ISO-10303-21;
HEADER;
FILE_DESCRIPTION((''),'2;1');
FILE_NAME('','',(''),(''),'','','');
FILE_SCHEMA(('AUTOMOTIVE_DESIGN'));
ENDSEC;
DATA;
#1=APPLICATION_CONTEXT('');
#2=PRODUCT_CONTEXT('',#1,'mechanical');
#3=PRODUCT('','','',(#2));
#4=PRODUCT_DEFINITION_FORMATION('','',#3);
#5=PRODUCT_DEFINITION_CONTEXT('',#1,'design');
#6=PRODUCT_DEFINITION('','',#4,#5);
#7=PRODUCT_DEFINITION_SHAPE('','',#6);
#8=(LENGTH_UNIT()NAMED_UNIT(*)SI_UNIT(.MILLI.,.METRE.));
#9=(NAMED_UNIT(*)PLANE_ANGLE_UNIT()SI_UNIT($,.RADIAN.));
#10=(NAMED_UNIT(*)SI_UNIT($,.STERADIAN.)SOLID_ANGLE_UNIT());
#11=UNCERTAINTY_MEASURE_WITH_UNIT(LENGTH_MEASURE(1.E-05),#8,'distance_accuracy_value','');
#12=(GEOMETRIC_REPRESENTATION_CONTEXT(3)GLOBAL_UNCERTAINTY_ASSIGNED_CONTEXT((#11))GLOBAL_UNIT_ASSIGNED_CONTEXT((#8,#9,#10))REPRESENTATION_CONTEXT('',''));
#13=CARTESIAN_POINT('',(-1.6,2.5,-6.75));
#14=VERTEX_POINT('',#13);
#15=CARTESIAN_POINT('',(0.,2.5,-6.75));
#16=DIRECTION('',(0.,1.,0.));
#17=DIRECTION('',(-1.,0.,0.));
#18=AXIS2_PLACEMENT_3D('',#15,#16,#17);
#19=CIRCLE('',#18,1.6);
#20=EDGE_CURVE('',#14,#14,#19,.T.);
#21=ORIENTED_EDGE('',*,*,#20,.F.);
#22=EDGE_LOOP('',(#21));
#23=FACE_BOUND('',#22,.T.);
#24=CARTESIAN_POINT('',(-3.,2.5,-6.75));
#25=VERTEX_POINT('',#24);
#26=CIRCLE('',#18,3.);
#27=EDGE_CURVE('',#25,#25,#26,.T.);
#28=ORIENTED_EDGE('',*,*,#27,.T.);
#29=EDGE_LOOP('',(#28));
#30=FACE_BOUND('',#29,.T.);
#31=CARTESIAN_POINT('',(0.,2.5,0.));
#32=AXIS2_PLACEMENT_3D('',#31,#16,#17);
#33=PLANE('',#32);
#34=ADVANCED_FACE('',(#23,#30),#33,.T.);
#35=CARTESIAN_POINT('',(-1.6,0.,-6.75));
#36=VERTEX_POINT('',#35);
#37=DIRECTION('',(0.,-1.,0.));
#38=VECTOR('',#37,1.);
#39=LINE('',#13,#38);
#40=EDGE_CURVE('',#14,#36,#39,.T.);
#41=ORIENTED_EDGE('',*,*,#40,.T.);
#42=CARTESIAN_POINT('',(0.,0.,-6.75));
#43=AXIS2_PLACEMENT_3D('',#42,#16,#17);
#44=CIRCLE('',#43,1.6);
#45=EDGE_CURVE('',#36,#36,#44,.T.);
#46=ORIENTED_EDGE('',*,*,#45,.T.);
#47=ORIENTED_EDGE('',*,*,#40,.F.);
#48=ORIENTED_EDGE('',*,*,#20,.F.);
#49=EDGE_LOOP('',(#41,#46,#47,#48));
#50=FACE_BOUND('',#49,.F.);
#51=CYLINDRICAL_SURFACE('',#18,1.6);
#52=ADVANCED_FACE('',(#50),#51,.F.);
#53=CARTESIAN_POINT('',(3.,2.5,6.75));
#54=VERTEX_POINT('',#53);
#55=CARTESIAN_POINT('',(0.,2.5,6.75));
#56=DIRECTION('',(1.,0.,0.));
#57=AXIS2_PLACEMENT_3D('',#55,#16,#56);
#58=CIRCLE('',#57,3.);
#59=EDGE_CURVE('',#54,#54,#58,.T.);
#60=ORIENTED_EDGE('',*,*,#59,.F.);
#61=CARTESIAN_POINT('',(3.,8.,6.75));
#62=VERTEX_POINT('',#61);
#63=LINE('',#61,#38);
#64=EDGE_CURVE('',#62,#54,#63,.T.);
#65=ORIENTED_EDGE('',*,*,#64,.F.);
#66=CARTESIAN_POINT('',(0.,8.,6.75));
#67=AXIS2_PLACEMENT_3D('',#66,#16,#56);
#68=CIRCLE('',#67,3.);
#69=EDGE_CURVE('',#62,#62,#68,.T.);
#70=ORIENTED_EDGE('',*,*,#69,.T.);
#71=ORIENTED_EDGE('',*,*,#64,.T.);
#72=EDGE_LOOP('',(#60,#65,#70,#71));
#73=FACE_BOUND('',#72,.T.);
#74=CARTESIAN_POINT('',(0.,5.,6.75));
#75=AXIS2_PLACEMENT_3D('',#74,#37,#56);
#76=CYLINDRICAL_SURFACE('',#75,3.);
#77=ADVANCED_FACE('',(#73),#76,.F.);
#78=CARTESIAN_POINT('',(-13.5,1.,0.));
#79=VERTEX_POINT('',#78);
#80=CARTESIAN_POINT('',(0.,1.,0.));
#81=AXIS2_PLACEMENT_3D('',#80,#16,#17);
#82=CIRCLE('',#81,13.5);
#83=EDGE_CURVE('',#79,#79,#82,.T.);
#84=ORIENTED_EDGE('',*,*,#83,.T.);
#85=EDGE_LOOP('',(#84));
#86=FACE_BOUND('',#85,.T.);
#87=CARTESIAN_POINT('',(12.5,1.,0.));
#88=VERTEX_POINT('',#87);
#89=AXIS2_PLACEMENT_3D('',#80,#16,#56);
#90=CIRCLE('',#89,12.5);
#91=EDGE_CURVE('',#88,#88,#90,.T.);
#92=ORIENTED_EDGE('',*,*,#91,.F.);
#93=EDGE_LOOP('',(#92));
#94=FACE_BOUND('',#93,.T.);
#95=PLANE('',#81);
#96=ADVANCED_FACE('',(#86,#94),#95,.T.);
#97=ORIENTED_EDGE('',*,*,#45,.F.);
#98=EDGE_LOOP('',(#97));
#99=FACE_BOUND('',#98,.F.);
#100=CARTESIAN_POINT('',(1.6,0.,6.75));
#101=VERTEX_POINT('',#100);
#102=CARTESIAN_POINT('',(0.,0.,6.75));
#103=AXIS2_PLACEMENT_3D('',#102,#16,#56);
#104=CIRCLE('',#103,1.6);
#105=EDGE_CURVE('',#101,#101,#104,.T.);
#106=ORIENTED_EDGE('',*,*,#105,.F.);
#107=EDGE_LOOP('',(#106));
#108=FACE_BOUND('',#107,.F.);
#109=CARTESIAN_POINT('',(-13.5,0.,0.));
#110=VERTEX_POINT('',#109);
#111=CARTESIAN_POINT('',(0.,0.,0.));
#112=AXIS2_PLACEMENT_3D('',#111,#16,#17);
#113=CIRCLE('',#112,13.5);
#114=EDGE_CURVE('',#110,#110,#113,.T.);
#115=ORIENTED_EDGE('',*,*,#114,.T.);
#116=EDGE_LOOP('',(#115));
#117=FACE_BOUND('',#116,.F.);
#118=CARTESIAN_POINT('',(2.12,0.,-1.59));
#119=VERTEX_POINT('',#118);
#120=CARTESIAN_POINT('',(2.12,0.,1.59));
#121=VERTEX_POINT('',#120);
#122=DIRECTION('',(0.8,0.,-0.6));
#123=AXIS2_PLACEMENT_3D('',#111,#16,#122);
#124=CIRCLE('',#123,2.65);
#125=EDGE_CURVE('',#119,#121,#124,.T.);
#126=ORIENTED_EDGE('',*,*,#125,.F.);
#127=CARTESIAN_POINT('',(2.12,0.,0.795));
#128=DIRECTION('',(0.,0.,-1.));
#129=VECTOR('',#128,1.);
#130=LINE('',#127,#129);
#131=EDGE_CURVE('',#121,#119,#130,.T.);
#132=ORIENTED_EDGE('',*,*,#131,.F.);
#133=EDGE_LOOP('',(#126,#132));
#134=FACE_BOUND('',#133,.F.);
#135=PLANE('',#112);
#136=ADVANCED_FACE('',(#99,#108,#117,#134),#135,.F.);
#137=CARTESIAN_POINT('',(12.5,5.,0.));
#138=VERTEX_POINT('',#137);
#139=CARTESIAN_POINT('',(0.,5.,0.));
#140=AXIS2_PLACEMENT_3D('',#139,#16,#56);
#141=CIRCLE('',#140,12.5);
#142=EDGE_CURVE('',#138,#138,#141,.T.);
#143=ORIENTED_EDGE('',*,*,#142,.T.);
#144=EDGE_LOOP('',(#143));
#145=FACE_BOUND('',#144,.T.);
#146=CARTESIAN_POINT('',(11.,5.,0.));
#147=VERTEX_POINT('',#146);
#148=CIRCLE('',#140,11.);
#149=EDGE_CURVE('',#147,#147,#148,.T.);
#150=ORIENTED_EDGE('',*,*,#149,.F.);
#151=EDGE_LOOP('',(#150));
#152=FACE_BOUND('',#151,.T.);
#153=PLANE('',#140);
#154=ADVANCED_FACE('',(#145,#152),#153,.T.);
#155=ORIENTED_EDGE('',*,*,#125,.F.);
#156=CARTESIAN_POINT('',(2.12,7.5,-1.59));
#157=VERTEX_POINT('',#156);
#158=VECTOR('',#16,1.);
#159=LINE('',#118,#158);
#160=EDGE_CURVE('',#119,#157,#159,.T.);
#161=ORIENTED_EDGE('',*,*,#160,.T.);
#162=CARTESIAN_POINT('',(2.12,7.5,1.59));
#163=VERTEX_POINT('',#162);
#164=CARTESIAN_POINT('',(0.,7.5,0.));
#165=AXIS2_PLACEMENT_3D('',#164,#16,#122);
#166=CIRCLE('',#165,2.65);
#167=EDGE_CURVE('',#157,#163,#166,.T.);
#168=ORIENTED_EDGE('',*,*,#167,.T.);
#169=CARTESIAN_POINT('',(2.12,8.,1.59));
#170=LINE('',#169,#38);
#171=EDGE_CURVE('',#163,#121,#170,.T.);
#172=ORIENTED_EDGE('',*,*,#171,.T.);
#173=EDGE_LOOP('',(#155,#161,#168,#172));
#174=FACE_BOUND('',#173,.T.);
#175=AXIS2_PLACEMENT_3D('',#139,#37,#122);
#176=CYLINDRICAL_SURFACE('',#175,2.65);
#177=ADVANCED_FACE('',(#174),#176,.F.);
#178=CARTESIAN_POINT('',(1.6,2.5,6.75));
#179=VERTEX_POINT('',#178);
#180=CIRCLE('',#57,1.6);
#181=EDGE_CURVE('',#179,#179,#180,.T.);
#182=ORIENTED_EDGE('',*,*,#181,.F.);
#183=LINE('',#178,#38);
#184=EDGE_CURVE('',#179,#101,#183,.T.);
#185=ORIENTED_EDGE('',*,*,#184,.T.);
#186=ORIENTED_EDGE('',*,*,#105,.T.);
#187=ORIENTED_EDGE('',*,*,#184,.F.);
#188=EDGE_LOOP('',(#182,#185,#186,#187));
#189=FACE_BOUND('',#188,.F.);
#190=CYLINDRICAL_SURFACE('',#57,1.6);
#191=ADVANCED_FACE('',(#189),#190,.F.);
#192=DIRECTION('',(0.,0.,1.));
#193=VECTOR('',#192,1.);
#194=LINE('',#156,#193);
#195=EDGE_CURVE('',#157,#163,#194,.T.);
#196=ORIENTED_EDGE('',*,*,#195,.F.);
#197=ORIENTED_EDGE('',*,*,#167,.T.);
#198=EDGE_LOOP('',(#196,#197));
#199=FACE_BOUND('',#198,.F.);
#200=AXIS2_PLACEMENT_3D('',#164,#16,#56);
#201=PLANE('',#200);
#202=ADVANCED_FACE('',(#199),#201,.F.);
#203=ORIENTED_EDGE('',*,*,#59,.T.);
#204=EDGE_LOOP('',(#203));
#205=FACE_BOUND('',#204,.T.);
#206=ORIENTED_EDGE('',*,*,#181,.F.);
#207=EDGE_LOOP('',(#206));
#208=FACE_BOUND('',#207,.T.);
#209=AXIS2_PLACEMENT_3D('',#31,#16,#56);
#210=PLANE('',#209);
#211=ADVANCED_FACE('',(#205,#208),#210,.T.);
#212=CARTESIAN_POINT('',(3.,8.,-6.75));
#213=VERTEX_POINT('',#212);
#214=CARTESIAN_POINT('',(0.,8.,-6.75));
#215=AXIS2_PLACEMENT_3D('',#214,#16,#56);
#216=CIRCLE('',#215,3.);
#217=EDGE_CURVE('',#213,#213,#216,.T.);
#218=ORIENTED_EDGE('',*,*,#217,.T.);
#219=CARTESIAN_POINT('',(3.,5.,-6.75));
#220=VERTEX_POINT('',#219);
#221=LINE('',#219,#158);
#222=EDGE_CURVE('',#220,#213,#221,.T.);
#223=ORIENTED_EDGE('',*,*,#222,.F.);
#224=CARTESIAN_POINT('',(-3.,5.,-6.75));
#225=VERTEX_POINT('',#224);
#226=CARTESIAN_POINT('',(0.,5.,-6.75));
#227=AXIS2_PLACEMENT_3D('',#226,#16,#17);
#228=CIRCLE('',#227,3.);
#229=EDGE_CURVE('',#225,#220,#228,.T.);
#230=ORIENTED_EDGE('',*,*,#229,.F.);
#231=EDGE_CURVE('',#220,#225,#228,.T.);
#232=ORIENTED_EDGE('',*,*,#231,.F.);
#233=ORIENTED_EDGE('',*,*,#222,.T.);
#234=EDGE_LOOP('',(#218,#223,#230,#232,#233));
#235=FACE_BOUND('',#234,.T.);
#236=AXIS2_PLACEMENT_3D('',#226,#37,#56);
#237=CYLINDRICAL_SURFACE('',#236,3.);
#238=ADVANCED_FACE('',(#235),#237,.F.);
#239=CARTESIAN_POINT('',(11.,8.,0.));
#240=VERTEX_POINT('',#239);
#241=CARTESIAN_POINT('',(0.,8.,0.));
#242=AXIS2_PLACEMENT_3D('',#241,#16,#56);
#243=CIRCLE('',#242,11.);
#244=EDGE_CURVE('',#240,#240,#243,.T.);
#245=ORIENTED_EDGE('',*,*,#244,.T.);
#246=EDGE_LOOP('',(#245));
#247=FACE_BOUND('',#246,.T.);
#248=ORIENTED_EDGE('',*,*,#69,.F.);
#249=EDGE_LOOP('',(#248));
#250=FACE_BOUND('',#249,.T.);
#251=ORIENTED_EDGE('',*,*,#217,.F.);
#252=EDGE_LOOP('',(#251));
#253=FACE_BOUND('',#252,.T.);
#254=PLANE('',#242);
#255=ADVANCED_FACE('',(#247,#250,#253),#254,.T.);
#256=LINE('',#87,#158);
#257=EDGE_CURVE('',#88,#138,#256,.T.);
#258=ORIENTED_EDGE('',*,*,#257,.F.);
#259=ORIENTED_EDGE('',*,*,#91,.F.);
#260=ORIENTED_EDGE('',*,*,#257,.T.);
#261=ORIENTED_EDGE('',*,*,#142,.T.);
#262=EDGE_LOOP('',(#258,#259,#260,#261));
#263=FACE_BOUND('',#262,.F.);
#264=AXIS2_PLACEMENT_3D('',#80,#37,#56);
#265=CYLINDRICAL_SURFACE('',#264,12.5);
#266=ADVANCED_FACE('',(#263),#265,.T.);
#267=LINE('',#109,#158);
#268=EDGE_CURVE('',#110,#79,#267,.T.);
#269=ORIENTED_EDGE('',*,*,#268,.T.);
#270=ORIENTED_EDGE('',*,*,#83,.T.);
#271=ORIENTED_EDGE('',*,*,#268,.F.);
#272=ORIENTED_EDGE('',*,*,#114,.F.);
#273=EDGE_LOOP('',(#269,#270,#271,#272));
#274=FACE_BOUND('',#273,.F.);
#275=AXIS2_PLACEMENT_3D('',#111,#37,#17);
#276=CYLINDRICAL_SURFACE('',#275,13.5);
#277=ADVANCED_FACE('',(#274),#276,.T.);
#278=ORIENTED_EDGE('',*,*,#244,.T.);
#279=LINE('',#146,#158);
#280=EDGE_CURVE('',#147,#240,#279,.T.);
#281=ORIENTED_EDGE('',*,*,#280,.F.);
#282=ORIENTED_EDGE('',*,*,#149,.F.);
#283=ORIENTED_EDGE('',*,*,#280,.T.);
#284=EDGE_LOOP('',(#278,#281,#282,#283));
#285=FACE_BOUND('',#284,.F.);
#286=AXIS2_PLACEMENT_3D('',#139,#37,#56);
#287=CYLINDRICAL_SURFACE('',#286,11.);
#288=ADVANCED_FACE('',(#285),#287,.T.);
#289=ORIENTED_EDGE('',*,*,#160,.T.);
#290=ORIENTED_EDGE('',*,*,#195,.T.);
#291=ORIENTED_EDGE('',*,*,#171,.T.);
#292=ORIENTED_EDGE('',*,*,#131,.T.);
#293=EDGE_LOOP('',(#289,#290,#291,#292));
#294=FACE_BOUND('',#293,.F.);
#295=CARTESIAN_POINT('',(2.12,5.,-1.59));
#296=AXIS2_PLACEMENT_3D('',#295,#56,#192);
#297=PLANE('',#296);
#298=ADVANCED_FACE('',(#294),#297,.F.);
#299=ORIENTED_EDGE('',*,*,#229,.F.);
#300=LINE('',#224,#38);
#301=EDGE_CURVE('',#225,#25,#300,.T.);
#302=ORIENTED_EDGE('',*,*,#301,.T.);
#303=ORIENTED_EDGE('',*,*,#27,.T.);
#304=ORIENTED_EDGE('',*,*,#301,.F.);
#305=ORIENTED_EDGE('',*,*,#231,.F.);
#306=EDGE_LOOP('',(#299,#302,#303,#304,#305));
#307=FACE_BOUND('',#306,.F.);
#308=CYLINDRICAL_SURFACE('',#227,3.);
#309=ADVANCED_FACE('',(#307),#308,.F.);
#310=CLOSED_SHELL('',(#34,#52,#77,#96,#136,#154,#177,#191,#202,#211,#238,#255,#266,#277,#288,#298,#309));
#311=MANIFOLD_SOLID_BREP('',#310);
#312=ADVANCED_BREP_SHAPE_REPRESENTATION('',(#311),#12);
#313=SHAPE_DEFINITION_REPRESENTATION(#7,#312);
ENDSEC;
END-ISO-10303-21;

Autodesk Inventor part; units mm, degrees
ref_plane "YZ Plane" through (0, 0, 0) normal (1, 0, 0) x (0, 1, 0)
ref_plane "XZ Plane" through (0, 0, 0) normal (0, 1, 0) x (-1, 0, 0)
ref_plane "XY Plane" through (0, 0, 0) normal (0, 0, 1) x (1, 0, 0)
sketch "Szkic1" plane through (0, 0, 0) normal (0, 1, 0) x (-1, 0, 0)
  circle A0 centre (0, 0) radius 13.5
  dimension "d0" = 27
extrude "Wyciągnięcie proste1" add sketch "Szkic1" along normal blind 1
sketch "Szkic2" plane through (0, 1, 0) normal (0, 1, 0) x (1, 0, 0)
  circle A0 centre (0, 0) radius 12.5
  dimension "d3" = 25
extrude "Wyciągnięcie proste2" add sketch "Szkic2" along normal blind 4
sketch "Szkic3" plane through (0, 5, 0) normal (0, 1, 0) x (1, 0, 0)
  arc A0 (2.12, 1.59) -> (2.12, -1.59) centre (0, 0) ccw
  line L0 (2.12, -1.59) -> (2.12, 1.59)
  dimension "d6" = 5.3
  dimension "d7" = 2.12
extrude "Wyciągnięcie proste3" cut sketch "Szkic3" against normal through all
sketch "Szkic4" plane through (0, 5, 0) normal (0, 1, 0) x (1, 0, 0)
  circle A0 centre (0, -6.75) radius 3
  point P0 (0, 0)
  dimension "d10" = 6
extrude "Wyciągnięcie proste4" cut sketch "Szkic4" against normal blind 2.5
sketch "Szkic5" plane through (0, 2.5, 6.75) normal (0, 1, 0) x (1, 0, 0)
  circle A0 centre (0, 0) radius 1.6
  point P0 (0, 6.75)
  dimension "d13" = 3.2
extrude "Wyciągnięcie proste5" cut sketch "Szkic5" against normal blind 3.5
pattern_circular "Szyk kołowy1" count 2 over 360 about axis through (0, 1, 0) along (0, 1, 0) of "Wyciągnięcie proste4", "Wyciągnięcie proste5"
sketch "Szkic6" plane through (0, 5, 0) normal (0, 1, 0) x (1, 0, 0)
  circle A0 centre (0, 0) radius 11
  circle A1 centre (0, 6.75) radius 3 projected
  circle A2 centre (0, 6.75) radius 3
  circle A3 centre (0, -6.75) radius 3 projected
  circle A4 centre (0, -6.75) radius 3
  arc A5 (2.12, 1.59) -> (2.12, -1.59) centre (0, 0) ccw
  line L0 (2.12, 1.59) -> (2.12, -1.59) projected
  line L1 (2.12, -1.59) -> (2.12, 1.59)
  dimension "d19" = 22
extrude "Wyciągnięcie proste6" add sketch "Szkic6" along normal blind 3
sketch "Szkic7" plane through (0, 8, 0) normal (0, 1, 0) x (1, 0, 0)
  arc A0 (2.12, 1.59) -> (2.12, -1.59) centre (0, 0) ccw
  line L0 (2.12, 1.59) -> (2.12, -1.59) projected
  line L1 (2.12, -1.59) -> (2.12, 1.59)
extrude "Wyciągnięcie proste7" add sketch "Szkic7" against normal blind 0.5
properties part number "_Drukowanie 3D"
